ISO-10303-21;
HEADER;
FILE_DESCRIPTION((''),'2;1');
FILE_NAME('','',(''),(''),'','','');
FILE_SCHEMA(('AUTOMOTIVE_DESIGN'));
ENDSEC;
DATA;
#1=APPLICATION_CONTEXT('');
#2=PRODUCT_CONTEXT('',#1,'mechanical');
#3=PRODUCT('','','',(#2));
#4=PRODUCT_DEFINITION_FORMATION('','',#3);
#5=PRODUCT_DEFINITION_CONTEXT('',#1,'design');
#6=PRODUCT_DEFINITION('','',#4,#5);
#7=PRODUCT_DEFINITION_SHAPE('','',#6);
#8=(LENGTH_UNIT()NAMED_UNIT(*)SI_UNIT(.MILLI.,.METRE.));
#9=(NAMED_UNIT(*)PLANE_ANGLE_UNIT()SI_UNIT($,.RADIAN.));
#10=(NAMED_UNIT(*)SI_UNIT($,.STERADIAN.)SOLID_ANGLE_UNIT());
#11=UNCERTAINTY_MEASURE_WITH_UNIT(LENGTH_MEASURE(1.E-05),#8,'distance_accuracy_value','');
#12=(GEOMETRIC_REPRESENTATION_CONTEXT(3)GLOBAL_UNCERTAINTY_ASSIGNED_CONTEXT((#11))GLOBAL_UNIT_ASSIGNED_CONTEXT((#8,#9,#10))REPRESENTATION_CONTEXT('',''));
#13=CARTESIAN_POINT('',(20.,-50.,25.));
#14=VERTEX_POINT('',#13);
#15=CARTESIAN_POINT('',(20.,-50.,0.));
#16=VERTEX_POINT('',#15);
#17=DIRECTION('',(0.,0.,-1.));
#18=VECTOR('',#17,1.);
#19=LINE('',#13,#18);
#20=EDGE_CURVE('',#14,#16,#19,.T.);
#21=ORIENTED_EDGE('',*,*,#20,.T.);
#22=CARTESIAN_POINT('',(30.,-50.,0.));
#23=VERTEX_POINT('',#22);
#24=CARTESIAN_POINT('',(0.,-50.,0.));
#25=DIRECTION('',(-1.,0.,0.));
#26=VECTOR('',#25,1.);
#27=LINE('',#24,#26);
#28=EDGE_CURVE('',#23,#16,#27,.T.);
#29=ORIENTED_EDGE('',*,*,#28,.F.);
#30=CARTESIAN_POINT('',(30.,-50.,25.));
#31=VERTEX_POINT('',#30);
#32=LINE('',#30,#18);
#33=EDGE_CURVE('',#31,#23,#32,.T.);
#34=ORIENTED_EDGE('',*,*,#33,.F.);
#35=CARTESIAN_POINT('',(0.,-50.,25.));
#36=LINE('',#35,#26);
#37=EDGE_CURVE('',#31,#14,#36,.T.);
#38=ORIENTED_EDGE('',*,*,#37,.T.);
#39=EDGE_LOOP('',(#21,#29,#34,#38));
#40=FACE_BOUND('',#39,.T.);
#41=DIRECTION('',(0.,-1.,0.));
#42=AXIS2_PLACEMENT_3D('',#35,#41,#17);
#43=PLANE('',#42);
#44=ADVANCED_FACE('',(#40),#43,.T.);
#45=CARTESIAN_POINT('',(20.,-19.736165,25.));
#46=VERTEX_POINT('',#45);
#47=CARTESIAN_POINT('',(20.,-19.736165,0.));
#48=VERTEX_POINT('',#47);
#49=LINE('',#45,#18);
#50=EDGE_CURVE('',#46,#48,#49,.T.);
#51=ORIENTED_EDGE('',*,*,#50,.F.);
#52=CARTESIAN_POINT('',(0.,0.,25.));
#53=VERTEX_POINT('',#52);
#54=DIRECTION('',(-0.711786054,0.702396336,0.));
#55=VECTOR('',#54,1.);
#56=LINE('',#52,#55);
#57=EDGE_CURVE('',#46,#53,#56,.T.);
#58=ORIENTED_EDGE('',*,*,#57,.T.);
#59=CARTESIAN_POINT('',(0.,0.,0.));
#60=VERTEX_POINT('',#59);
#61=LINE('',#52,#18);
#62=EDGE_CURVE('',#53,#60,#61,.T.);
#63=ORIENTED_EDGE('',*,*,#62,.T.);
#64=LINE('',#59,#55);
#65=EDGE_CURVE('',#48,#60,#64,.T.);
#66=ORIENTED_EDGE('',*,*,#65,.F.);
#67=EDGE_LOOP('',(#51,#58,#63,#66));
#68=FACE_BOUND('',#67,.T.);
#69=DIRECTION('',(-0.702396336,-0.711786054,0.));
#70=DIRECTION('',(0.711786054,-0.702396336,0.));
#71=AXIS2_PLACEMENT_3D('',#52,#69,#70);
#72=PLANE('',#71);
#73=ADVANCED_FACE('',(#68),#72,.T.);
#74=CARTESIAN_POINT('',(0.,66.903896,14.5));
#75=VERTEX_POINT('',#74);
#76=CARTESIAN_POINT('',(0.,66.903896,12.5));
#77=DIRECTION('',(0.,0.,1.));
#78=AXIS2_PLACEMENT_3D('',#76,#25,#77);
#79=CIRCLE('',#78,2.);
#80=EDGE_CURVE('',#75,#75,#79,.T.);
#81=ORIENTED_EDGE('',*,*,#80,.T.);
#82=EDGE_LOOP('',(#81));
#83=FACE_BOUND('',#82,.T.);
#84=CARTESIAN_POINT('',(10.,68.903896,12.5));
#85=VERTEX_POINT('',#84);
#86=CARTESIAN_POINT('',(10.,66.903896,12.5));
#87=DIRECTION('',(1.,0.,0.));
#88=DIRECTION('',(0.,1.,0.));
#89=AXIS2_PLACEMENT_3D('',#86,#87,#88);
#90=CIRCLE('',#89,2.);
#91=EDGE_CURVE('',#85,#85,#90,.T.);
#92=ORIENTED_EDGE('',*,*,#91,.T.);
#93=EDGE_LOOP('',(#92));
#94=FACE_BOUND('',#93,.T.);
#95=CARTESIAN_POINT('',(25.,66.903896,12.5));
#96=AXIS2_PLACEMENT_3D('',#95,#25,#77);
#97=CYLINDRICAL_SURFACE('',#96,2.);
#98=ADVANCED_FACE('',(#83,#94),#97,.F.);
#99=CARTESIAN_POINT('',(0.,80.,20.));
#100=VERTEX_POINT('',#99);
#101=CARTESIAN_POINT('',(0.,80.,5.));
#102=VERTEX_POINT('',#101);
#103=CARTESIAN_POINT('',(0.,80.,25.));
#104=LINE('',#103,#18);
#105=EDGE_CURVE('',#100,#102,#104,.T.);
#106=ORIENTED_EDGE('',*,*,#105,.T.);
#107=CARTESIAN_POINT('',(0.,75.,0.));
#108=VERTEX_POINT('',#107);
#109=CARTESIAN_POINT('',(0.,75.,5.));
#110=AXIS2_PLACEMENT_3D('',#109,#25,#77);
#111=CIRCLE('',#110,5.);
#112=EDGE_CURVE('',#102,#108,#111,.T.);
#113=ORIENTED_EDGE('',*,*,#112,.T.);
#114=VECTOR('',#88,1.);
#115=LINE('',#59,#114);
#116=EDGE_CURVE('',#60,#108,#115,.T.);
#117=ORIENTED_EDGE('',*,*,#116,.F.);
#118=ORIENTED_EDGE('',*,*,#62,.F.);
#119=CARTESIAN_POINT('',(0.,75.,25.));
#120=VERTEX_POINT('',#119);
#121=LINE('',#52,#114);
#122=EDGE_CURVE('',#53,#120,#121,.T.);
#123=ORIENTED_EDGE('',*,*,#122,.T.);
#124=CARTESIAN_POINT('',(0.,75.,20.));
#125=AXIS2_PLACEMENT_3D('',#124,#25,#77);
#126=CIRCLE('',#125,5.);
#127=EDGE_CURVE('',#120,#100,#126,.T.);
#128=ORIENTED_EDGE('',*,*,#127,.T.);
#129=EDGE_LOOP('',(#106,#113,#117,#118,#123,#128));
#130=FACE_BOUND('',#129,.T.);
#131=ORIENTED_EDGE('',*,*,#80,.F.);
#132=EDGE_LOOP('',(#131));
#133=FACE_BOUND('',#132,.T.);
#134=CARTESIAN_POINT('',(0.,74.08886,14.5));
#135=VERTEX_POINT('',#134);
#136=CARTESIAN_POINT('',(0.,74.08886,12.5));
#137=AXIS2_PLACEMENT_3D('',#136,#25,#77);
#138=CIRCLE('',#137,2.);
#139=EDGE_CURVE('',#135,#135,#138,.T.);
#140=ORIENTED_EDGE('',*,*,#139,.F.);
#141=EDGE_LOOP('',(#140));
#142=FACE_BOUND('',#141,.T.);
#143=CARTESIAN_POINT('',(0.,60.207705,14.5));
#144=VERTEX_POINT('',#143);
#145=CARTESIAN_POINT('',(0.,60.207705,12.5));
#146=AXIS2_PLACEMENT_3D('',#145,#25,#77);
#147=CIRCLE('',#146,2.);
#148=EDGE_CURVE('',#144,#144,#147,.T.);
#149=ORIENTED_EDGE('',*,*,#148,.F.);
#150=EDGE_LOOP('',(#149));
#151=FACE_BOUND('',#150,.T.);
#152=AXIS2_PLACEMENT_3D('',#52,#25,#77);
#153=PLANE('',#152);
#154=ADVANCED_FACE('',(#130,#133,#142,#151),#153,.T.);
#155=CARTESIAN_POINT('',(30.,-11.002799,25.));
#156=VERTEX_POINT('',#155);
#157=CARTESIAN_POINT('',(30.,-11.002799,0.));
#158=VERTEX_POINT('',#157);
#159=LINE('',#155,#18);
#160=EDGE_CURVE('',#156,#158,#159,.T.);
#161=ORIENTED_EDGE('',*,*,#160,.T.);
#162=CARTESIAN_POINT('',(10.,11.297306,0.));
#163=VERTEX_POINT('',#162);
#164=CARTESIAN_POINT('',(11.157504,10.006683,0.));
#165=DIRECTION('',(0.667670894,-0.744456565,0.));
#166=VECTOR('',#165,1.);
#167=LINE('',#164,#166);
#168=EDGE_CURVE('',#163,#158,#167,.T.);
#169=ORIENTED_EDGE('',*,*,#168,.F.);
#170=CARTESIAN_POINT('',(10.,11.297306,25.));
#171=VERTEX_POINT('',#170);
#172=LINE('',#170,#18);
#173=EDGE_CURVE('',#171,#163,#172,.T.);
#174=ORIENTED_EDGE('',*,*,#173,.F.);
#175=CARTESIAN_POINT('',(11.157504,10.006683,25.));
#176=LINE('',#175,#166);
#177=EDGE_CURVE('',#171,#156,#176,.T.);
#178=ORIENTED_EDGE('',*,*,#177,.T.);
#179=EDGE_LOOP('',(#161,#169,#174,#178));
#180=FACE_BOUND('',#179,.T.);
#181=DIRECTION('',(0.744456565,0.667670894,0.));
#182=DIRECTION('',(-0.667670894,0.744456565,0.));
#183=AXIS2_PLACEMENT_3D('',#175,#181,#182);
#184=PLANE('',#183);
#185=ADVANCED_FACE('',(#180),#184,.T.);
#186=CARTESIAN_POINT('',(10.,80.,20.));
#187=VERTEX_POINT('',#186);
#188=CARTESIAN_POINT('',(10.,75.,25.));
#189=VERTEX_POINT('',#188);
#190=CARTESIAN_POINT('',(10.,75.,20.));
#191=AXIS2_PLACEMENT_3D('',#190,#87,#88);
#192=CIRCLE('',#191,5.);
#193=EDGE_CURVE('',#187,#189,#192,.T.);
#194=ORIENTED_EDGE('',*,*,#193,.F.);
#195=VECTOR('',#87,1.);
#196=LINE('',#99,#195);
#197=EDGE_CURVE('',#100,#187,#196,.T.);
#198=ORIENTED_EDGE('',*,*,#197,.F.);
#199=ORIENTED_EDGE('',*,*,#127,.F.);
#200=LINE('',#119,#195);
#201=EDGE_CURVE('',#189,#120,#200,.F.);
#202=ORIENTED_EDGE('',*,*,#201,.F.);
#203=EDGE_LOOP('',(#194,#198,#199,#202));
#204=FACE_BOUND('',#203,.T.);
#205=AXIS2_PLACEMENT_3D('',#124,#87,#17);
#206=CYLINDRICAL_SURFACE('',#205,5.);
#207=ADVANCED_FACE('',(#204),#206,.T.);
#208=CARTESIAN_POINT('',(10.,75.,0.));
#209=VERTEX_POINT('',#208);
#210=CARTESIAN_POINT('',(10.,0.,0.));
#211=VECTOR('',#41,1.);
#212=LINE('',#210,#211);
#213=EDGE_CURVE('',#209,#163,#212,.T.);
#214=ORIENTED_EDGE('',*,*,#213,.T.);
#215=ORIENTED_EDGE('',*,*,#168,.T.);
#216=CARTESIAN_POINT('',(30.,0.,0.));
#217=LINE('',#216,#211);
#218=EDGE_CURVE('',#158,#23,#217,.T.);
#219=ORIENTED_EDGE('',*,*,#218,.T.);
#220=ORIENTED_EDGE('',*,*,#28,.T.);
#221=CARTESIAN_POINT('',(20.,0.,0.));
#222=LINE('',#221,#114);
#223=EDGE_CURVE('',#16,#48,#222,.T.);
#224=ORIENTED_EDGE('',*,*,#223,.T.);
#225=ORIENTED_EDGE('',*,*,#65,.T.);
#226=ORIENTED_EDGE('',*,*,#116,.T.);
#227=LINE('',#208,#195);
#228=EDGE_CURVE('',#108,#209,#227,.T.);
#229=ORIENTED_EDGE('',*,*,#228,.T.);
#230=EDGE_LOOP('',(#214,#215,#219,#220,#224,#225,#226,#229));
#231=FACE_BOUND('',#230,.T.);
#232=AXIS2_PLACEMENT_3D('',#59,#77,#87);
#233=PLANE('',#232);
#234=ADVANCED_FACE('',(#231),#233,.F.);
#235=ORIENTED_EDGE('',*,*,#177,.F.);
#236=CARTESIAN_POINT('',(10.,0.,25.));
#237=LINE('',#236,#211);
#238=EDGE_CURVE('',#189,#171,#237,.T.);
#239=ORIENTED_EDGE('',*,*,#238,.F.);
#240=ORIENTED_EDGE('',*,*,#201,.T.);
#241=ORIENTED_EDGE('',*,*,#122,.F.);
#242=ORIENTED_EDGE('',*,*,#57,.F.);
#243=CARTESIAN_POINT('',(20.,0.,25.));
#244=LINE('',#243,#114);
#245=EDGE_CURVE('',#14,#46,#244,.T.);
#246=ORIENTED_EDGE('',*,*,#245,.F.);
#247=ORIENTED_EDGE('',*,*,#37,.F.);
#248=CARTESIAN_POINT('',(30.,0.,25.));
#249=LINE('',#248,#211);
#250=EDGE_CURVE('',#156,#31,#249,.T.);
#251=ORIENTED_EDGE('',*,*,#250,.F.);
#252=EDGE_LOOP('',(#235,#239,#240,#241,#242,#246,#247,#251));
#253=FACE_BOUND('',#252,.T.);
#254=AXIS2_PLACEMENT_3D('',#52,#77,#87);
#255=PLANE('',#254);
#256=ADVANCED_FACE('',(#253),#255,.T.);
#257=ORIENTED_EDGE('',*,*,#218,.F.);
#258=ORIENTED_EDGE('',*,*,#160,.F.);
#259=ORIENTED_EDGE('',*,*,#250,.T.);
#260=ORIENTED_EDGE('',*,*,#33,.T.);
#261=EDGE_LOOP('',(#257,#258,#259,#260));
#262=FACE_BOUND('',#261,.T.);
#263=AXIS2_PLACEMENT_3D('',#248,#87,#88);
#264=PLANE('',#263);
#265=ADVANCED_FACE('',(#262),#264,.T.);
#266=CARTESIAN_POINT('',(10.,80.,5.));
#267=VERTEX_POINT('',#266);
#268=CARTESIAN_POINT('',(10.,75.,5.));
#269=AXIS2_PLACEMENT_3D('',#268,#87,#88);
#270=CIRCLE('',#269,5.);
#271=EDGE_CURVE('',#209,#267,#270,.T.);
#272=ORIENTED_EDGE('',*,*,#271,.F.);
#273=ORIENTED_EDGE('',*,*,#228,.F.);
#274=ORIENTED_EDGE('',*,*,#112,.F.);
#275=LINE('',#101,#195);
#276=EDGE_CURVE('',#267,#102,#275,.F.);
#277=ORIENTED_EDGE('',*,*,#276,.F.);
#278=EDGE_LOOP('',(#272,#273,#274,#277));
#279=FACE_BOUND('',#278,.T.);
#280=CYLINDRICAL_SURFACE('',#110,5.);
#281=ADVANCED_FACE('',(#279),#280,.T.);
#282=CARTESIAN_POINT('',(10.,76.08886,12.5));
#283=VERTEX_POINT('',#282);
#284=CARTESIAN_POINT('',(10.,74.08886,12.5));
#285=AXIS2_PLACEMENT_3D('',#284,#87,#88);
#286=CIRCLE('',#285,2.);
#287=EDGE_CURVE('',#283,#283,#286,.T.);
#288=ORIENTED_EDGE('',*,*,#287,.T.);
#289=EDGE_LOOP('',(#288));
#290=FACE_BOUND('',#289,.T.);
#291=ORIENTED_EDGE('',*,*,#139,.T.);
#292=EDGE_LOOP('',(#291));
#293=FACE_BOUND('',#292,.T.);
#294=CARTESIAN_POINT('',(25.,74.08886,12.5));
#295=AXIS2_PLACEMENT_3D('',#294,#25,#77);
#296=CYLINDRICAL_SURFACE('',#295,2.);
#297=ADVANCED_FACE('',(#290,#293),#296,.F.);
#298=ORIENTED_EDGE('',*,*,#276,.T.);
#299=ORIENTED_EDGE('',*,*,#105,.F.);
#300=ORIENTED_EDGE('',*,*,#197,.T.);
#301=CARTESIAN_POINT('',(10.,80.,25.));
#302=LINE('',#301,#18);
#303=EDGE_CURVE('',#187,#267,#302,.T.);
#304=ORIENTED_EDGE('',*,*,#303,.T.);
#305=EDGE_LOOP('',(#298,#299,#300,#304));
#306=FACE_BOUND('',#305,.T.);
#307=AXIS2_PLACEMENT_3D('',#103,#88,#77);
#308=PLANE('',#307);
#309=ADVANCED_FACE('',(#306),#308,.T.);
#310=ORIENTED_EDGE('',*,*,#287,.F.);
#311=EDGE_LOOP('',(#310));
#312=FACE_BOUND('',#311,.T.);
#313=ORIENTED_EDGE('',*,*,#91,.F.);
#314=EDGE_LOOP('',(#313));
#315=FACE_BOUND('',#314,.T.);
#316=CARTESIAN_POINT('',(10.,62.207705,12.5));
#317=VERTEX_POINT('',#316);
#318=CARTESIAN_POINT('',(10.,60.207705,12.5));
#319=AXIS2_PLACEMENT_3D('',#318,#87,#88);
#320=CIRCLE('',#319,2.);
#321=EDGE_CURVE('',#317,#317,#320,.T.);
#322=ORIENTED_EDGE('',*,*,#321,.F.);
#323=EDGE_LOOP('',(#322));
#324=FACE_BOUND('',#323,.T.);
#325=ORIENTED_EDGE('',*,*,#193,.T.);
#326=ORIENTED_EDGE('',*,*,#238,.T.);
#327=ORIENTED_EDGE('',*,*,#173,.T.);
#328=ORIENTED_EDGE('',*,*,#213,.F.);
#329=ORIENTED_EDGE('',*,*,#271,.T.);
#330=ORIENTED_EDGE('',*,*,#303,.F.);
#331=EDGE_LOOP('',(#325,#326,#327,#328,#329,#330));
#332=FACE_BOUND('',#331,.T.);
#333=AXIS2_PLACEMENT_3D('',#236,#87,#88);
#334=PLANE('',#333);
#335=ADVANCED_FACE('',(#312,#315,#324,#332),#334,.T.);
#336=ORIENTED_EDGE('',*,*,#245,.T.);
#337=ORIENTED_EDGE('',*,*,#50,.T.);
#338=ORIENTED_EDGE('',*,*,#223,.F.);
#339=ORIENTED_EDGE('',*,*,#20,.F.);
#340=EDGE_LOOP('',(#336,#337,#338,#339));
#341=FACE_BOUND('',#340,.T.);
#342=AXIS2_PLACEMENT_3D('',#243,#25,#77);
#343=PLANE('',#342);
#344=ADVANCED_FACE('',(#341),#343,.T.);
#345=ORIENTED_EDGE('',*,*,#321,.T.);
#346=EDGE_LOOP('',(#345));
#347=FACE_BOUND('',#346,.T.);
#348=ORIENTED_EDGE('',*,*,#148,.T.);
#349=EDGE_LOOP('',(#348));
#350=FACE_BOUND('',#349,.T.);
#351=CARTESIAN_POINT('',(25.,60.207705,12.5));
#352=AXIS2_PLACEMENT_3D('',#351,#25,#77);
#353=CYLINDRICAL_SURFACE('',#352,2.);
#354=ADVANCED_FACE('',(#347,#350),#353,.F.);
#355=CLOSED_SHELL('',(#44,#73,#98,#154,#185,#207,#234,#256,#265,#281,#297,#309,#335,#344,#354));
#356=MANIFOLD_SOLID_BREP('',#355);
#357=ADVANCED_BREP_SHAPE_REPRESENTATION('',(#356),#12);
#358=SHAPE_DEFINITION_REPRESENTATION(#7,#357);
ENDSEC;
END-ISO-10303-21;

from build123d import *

# Parameters (mm, degrees)
Y_KSEKLIK_EKSTR_ZYON1_DEPTH = 25
KES_EKSTR_ZYON1_DEPTH       = 25
RADYUS1_R                   = 5
RADYUS2_R                   = 5


with BuildPart() as part:
    # Çizim1 → Yükseklik-Ekstrüzyon1 (new body)
    with BuildSketch(Plane.XY):
        Polygon((30, -11.002799306), (30, -50), (20, -50), (20, -19.736164581), (0, 0), (0, 80), (10, 80), (10, 11.297306062), align=None)
    extrude(amount=Y_KSEKLIK_EKSTR_ZYON1_DEPTH)

    # Çizim2 → Kes-Ekstrüzyon1 (cut)
    with BuildSketch(Plane.ZY):
        with BuildLine():
            ThreePointArc((14.5, 74.088859677), (13.914213562, 75.50307324), (12.5, 76.088859677))
            Line((12.5, 76.088859677), (12.5, 72.088859677))
            ThreePointArc((12.5, 72.088859677), (13.914213562, 72.674646115), (14.5, 74.088859677))
        make_face()
        with BuildLine():
            Line((12.5, 72.088859677), (12.5, 76.088859677))
            ThreePointArc((12.5, 76.088859677), (10.5, 74.088859677), (12.5, 72.088859677))
        make_face()
        with BuildLine():
            ThreePointArc((14.5, 66.903895924), (13.914213562, 68.318109486), (12.5, 68.903895924))
            Line((12.5, 68.903895924), (12.5, 64.903895924))
            ThreePointArc((12.5, 64.903895924), (13.914213562, 65.489682361), (14.5, 66.903895924))
        make_face()
        with BuildLine():
            Line((12.5, 64.903895924), (12.5, 68.903895924))
            ThreePointArc((12.5, 68.903895924), (10.5, 66.903895924), (12.5, 64.903895924))
        make_face()
        with BuildLine():
            ThreePointArc((12.5, 62.207705215), (10.5, 60.207705215), (12.5, 58.207705215))
            Line((12.5, 58.207705215), (12.5, 62.207705215))
        make_face()
        with BuildLine():
            Line((12.5, 62.207705215), (12.5, 58.207705215))
            ThreePointArc((12.5, 58.207705215), (13.914213562, 58.793491652), (14.5, 60.207705215))
            ThreePointArc((14.5, 60.207705215), (13.914213562, 61.621918777), (12.5, 62.207705215))
        make_face()
    extrude(amount=-KES_EKSTR_ZYON1_DEPTH, mode=Mode.SUBTRACT)

    # Radyus1
    radyus1_edges = [part.edges().sort_by_distance(p)[0] for p in [
        (5, 80, 25),
    ]]
    fillet(radyus1_edges, radius=RADYUS1_R)

    # Radyus2
    radyus2_edges = [part.edges().sort_by_distance(p)[0] for p in [
        (5, 80, 0),
    ]]
    fillet(radyus2_edges, radius=RADYUS2_R)


solid = part.part
